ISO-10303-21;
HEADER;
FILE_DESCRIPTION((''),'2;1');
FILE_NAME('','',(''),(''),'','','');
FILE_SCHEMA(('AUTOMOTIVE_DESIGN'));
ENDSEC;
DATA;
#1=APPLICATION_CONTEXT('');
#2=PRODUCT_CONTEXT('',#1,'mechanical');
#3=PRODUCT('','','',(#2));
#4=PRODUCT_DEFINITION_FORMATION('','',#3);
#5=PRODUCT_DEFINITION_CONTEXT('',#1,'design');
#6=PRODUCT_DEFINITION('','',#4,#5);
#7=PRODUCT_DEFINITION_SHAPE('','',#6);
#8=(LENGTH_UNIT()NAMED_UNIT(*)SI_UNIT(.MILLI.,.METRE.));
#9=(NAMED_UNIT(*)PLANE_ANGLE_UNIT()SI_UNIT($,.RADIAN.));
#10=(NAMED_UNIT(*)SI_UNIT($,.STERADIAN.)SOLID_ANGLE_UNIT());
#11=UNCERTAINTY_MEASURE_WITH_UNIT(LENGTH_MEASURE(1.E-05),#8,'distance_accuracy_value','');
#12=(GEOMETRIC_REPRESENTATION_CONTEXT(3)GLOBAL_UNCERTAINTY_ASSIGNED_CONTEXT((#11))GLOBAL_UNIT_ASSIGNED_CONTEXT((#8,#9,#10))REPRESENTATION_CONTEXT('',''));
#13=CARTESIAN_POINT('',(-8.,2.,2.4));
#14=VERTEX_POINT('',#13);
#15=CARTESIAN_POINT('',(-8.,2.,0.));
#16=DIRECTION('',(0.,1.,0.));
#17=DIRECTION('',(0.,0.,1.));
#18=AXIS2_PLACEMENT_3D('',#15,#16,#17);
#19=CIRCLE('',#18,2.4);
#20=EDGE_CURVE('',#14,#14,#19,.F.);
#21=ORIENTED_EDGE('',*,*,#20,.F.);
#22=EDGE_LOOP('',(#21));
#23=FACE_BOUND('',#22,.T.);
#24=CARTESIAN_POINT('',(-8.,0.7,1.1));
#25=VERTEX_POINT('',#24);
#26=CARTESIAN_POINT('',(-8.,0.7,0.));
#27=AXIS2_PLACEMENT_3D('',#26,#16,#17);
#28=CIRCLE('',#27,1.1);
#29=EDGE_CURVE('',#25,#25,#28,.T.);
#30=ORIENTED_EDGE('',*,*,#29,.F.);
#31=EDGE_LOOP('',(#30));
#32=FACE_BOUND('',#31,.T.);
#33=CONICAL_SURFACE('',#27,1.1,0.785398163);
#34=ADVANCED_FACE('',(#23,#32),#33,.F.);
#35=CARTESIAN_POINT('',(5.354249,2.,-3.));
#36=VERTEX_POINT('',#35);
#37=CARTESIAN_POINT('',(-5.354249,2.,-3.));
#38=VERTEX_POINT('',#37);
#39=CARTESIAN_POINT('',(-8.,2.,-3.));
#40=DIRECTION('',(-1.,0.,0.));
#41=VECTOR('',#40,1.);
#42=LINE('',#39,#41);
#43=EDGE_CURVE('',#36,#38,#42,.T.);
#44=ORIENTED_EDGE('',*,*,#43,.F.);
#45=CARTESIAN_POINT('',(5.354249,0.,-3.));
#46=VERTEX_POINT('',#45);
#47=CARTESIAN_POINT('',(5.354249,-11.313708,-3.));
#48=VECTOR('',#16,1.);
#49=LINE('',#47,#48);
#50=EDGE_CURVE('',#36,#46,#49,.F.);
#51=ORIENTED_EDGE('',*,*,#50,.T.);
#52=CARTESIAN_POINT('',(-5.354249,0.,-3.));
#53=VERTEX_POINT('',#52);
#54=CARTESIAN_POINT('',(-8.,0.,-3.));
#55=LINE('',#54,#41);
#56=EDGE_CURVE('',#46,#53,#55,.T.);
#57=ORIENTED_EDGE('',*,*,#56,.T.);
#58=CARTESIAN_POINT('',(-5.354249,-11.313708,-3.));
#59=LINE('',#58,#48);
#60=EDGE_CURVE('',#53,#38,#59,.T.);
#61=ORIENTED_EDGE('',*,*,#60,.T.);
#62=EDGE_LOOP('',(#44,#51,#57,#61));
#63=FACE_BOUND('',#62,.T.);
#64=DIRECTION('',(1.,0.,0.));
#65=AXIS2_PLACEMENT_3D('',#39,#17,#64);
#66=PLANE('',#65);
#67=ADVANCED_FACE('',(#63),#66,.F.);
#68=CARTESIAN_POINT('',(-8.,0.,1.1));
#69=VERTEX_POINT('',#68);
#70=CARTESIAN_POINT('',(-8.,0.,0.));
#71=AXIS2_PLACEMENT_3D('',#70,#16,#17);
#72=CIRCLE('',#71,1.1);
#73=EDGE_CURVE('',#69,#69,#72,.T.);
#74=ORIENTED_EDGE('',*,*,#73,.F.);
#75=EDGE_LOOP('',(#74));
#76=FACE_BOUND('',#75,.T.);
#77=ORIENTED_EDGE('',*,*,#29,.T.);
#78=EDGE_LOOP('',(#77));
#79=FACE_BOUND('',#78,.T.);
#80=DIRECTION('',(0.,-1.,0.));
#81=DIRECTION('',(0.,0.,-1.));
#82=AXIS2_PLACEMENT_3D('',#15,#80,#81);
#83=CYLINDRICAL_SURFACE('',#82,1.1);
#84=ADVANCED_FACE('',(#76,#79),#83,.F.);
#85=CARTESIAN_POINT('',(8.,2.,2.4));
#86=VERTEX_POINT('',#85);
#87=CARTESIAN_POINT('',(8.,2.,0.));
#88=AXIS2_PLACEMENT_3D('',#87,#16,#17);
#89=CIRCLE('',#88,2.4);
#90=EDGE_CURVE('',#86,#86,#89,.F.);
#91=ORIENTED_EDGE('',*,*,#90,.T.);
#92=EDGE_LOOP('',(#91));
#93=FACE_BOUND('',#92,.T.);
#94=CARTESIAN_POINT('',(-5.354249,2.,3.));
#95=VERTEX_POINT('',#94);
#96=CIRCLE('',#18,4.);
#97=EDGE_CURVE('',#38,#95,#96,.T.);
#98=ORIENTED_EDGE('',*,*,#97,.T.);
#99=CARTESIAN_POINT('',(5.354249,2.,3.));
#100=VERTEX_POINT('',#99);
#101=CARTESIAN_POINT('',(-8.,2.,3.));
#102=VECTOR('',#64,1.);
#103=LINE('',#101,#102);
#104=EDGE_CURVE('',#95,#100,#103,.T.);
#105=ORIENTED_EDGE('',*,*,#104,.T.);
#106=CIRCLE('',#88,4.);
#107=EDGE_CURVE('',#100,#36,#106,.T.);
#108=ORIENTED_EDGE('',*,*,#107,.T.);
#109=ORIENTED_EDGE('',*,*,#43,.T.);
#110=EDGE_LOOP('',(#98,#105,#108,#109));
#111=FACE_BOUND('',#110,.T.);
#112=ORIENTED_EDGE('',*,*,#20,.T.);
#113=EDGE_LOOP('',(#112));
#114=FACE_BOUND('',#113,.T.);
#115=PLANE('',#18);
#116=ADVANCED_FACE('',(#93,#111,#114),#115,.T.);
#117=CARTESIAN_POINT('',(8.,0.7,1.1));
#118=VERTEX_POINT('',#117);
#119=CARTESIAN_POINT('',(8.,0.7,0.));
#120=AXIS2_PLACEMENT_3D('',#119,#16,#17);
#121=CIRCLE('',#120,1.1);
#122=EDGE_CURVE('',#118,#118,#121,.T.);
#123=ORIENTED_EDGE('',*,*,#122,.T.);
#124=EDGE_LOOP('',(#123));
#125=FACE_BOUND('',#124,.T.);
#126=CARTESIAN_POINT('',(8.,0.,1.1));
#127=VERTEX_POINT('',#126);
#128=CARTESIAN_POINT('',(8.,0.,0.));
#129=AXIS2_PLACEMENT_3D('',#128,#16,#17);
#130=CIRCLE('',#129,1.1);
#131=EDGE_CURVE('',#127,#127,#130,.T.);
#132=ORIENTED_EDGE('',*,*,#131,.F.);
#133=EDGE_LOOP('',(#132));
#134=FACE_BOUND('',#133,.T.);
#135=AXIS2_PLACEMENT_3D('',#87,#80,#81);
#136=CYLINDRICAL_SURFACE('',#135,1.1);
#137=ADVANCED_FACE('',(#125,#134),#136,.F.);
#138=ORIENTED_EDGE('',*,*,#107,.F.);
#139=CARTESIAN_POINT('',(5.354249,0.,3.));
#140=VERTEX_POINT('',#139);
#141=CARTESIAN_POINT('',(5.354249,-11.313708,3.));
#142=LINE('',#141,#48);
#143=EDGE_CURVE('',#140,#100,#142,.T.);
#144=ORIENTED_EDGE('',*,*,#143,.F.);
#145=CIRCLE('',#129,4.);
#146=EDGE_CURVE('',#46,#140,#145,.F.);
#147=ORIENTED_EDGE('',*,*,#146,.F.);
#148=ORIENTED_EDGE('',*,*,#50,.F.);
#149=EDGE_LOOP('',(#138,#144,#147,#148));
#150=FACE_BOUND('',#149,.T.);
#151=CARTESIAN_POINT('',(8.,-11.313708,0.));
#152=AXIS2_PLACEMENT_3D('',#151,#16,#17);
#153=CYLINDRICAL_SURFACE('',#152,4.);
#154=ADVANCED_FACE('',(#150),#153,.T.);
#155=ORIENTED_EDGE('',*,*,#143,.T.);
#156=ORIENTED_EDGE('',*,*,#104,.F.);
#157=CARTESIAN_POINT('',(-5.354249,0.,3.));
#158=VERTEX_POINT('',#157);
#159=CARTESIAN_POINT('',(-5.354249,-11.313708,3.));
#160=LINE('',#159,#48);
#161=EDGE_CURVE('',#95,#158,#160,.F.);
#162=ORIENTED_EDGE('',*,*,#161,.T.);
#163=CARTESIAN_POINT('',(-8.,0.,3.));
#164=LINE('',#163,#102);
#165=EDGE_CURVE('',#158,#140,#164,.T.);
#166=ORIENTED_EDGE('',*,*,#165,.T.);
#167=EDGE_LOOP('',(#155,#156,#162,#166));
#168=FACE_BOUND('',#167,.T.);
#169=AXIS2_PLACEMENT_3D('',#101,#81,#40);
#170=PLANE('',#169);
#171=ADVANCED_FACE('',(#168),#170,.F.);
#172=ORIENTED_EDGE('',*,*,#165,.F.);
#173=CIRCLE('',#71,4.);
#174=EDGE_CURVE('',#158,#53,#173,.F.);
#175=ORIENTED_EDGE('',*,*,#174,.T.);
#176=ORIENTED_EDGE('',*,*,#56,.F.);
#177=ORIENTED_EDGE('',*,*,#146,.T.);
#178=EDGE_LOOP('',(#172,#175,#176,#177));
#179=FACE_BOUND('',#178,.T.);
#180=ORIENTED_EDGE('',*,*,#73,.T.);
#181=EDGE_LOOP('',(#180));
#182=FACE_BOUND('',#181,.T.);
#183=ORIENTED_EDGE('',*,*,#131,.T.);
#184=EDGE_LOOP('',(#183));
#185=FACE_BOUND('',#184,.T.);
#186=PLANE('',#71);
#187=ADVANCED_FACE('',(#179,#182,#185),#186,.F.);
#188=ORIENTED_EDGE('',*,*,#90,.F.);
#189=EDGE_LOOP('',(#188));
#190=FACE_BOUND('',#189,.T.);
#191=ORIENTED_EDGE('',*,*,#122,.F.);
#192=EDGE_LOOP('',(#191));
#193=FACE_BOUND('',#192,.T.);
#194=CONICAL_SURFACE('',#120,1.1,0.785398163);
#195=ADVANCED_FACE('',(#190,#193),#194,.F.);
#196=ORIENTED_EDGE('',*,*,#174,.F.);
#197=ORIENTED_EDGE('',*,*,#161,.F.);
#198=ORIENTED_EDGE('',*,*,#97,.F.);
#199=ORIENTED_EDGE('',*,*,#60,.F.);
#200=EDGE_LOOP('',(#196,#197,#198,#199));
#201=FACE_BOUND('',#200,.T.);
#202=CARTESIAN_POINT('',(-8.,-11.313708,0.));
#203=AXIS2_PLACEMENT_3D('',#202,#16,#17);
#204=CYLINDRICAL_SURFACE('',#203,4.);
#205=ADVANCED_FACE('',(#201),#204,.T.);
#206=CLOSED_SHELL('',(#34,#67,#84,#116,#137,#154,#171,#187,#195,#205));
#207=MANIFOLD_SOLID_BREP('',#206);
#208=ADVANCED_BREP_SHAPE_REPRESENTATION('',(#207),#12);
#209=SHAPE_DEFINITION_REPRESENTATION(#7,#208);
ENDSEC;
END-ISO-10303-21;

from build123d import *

# Parameters (mm, degrees)
SKETCH1_R           = 1.1
BOSS_EXTRUDE1_DEPTH = 2
BOSS_EXTRUDE3_START = -2
SKETCH3_R           = 4
SKETCH3_R_2         = 1.1
BOSS_EXTRUDE3_DEPTH = 2
CHAMFER1_SIZE       = 1.3


with BuildPart() as part:
    # Sketch1 → Boss-Extrude1 (new body)
    with BuildSketch(Plane(origin=(0, 0, 0), x_dir=(1, 0, 0), z_dir=(0, 1, 0))):
        with BuildLine():
            Line((-8, 3), (8, 3))
            ThreePointArc((8, 3), (11, 0), (8, -3))
            Line((8, -3), (-8, -3))
            ThreePointArc((-8, -3), (-11, 0), (-8, 3))
        make_face()
        with Locations(Location((-8, 0, 0), (0, 0, 270))):
            Circle(SKETCH1_R, mode=Mode.SUBTRACT)
        with Locations(Location((8, 0, 0), (0, 0, 270))):
            Circle(SKETCH1_R, mode=Mode.SUBTRACT)
    extrude(amount=BOSS_EXTRUDE1_DEPTH)

    # Sketch3 → Boss-Extrude3 (add)
    # profile 1 of 2: a face of its own
    with BuildSketch(Plane(origin=(0, 2, 0), x_dir=(1, 0, 0), z_dir=(0, 1, 0)).offset(BOSS_EXTRUDE3_START)):
        with Locations((-8, 0)):
            Circle(SKETCH3_R)
        with Locations(Location((-8, 0, 0), (0, 0, 270))):
            Circle(SKETCH3_R_2, mode=Mode.SUBTRACT)
    # profile 2 of 2: a face of its own
    with BuildSketch(Plane(origin=(0, 2, 0), x_dir=(1, 0, 0), z_dir=(0, 1, 0)).offset(BOSS_EXTRUDE3_START)):
        with Locations((8, 0)):
            Circle(SKETCH3_R)
        with Locations(Location((8, 0, 0), (0, 0, 270))):
            Circle(SKETCH3_R_2, mode=Mode.SUBTRACT)
    extrude(amount=BOSS_EXTRUDE3_DEPTH)

    # Chamfer1
    chamfer1_edges = [part.edges().sort_by_distance(p)[0] for p in [
        (-8, 2, -1.1),
        (8, 2, -1.1),
    ]]
    chamfer(chamfer1_edges, length=CHAMFER1_SIZE)


solid = part.part
